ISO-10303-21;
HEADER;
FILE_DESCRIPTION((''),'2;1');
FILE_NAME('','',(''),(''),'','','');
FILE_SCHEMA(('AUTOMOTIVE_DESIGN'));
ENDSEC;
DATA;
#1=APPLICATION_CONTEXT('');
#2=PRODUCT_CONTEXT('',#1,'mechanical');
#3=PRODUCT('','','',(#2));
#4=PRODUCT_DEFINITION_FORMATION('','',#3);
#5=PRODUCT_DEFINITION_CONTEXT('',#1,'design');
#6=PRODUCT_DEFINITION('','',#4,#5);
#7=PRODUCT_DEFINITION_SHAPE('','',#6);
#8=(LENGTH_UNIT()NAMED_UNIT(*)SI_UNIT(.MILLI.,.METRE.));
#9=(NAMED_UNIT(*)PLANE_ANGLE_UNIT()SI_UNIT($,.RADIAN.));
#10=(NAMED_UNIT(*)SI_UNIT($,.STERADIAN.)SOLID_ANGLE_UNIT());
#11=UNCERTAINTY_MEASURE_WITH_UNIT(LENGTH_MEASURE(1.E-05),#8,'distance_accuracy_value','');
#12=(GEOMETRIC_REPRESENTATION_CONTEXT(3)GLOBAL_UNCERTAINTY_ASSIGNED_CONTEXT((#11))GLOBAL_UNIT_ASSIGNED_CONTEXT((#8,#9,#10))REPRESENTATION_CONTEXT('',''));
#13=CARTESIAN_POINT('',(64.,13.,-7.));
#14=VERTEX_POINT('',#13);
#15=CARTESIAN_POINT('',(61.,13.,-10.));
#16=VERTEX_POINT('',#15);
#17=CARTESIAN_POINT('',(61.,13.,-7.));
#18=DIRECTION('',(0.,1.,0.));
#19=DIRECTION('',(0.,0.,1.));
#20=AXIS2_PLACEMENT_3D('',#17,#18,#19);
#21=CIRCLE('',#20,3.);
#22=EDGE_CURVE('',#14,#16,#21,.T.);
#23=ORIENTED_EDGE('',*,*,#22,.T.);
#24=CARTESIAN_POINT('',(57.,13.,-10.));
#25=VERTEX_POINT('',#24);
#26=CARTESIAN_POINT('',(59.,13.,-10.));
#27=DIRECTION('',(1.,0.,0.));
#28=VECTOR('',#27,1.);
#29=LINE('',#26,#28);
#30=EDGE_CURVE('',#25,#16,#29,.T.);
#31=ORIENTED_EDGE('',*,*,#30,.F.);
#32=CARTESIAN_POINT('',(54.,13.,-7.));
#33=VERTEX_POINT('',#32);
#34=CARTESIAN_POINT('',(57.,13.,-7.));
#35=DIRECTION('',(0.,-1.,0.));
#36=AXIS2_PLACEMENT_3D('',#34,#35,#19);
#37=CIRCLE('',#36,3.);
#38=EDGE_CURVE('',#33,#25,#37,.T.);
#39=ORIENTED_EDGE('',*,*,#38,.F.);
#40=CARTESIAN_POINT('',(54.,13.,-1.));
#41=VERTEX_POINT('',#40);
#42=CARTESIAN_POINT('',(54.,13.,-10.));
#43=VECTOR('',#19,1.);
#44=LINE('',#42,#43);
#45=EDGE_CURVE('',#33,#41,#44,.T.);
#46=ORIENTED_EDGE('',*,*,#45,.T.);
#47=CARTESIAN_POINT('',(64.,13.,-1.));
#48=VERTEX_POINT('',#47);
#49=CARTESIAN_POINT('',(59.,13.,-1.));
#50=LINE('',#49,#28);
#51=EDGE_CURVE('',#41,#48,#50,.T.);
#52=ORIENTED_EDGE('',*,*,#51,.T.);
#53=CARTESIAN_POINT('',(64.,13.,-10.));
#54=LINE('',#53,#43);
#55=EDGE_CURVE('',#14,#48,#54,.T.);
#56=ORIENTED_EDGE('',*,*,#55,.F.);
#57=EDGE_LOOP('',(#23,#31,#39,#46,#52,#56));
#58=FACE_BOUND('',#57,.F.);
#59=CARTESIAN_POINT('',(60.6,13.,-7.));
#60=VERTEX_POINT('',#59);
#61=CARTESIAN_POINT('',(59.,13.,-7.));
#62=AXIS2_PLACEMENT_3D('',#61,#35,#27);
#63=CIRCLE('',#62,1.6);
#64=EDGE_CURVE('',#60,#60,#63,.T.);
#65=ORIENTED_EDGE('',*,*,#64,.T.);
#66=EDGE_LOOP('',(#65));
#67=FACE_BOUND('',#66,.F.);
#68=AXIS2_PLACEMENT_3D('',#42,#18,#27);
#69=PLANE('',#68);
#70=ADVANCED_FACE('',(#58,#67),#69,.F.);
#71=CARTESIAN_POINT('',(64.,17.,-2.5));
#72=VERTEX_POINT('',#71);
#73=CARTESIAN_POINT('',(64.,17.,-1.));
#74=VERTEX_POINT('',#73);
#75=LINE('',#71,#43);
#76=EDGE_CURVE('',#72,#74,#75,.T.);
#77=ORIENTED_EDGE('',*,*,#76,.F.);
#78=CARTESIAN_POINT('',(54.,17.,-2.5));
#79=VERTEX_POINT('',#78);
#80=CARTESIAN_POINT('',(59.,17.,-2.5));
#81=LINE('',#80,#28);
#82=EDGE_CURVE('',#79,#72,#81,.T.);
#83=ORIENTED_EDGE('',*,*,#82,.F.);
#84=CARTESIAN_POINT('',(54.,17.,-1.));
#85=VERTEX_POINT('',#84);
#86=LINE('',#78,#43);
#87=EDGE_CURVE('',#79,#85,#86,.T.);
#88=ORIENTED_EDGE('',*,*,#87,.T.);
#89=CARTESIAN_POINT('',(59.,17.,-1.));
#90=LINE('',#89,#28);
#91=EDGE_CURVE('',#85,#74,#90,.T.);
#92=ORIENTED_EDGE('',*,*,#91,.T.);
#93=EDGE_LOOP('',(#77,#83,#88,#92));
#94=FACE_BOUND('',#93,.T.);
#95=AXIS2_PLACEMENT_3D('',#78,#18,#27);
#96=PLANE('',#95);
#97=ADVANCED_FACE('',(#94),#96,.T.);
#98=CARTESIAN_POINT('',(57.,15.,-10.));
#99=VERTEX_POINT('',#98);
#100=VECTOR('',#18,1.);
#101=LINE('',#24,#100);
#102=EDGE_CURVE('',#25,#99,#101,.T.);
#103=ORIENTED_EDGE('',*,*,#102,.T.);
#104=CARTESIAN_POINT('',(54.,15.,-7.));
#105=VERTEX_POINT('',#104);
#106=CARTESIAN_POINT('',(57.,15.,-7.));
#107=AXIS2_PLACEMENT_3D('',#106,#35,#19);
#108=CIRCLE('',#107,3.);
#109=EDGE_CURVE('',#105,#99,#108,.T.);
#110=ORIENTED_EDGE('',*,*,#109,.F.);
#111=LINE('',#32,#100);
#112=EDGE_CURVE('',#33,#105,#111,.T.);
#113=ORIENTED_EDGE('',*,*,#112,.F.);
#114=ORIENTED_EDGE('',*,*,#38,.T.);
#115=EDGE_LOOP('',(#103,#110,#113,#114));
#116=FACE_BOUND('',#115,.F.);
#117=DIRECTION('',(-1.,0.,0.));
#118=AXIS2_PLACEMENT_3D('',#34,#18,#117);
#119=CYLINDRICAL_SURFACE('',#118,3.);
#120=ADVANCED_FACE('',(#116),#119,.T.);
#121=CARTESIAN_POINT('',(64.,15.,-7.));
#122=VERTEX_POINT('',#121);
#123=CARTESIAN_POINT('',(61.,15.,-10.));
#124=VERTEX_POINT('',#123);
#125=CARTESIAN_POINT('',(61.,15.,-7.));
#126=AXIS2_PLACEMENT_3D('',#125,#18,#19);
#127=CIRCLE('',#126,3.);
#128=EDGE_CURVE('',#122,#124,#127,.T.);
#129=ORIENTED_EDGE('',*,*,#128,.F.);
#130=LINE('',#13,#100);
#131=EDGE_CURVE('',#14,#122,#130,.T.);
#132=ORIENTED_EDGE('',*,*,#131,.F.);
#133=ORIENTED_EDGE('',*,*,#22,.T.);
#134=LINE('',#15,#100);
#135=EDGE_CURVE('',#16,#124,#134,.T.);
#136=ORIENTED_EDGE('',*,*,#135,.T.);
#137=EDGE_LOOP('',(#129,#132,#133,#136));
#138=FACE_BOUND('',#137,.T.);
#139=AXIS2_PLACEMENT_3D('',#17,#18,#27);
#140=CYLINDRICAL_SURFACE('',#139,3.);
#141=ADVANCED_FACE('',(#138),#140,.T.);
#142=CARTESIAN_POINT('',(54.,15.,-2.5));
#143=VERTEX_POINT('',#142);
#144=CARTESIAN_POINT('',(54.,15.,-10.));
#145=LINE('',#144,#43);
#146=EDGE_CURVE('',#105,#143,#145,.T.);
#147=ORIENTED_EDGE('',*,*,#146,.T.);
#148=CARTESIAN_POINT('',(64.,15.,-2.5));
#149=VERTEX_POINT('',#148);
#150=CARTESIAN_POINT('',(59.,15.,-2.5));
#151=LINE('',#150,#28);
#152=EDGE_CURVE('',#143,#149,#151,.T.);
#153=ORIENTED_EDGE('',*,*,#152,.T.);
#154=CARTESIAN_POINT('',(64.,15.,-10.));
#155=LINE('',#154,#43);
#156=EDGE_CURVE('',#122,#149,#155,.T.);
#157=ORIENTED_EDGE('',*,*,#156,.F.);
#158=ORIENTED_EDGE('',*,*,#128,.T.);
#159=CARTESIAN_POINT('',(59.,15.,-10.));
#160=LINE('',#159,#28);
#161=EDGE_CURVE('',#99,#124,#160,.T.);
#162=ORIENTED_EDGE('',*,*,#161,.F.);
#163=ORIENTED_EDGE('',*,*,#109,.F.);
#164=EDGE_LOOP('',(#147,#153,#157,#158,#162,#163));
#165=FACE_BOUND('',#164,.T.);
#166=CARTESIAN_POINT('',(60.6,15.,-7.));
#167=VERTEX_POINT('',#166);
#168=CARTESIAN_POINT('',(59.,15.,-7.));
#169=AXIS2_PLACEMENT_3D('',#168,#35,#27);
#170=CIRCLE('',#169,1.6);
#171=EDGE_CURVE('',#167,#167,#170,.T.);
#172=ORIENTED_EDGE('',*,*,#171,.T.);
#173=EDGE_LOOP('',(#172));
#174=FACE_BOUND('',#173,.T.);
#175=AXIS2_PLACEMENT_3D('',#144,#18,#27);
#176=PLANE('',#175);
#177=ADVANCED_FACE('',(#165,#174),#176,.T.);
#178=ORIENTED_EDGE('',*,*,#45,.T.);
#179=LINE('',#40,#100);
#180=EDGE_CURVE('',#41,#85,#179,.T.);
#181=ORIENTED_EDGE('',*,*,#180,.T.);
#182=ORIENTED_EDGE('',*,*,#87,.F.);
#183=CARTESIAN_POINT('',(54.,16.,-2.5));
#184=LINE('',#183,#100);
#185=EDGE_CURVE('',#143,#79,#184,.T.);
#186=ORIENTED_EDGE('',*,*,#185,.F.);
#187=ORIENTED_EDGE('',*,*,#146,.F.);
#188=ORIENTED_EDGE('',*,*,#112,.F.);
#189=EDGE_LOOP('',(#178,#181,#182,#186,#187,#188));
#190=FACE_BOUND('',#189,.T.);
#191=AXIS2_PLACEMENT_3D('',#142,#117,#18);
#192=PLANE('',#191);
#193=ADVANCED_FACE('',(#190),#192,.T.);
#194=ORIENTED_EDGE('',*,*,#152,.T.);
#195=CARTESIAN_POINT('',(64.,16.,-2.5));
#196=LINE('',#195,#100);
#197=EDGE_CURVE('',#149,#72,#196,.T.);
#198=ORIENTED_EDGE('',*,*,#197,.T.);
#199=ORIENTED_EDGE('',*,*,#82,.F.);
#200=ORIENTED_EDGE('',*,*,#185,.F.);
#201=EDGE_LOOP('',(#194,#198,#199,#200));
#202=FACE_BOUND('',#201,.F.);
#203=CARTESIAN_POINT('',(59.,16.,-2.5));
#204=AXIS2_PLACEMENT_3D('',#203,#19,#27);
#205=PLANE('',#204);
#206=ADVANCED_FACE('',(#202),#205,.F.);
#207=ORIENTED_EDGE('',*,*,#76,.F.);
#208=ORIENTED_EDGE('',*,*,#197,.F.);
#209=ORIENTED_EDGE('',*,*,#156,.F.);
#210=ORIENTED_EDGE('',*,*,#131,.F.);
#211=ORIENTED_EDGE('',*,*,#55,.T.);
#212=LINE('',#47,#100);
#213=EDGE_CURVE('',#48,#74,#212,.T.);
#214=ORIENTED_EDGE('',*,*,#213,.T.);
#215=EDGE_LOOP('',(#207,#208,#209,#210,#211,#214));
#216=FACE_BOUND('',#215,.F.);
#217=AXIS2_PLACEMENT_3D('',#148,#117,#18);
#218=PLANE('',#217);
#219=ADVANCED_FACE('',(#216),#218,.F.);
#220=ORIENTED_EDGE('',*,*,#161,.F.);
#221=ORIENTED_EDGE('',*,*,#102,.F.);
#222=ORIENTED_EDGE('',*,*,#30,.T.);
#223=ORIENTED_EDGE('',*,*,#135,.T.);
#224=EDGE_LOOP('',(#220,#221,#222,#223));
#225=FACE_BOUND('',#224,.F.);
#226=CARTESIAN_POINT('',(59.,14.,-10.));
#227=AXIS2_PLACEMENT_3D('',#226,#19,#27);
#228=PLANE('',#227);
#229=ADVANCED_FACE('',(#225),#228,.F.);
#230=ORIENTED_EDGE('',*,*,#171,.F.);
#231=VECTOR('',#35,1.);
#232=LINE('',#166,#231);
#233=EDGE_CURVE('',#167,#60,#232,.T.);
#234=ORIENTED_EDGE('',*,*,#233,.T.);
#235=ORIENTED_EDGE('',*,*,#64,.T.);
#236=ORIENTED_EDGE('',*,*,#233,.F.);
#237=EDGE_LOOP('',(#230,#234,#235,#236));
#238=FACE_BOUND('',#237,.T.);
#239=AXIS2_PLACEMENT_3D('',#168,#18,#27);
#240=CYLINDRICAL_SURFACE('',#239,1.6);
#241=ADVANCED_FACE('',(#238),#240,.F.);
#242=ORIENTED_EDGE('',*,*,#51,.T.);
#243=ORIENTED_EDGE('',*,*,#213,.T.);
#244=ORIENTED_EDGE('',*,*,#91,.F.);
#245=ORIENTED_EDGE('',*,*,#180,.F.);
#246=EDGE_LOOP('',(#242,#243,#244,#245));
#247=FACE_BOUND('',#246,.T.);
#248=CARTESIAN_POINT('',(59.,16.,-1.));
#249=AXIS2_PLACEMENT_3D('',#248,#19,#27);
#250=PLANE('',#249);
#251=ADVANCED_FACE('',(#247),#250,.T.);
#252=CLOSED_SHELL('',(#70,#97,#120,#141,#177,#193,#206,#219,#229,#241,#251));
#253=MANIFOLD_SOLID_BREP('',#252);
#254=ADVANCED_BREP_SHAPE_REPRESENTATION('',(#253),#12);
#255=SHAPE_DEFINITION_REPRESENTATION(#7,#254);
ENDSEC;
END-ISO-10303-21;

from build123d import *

# Parameters (mm, degrees)
BOX193_W          = 10
BOX193_H          = 2
BOX193_DEPTH      = 1.5
CYLINDER075_R     = 1.6
CYLINDER075_DEPTH = 2
BOX191_W          = 10
BOX191_H          = 2
BOX191_DEPTH      = 9
FILLET044_R       = 3


with BuildPart() as cube182:
    # Box193 → Box193 (new body)
    with BuildSketch(Plane(origin=(54, 15, -2.5), x_dir=(1, 0, 0), z_dir=(0, 0, 1))):
        with Locations((5, 1)):
            Rectangle(BOX193_W, BOX193_H)
    extrude(amount=BOX193_DEPTH)


with BuildPart() as cylinder156:
    # Cylinder075 → Cylinder075 (new body)
    with BuildSketch(Plane(origin=(59, 15, -7), x_dir=(1, 0, 0), z_dir=(0, -1, 0))):
        Circle(CYLINDER075_R)
    extrude(amount=CYLINDER075_DEPTH)


with BuildPart() as fusion060:
    # Box191 → Box191 (new body)
    with BuildSketch(Plane(origin=(54, 13, -10), x_dir=(1, 0, 0), z_dir=(0, 0, 1))):
        with Locations((5, 1)):
            Rectangle(BOX191_W, BOX191_H)
    extrude(amount=BOX191_DEPTH)

    # Fillet044
    fillet044_edges = [fusion060.edges().sort_by_distance(p)[0] for p in [
        (54, 14, -10),
        (64, 14, -10),
    ]]
    fillet(fillet044_edges, radius=FILLET044_R)

    # Cut099: cut Cylinder156
    add(cylinder156.part, mode=Mode.SUBTRACT)

    # Fusion060: union Cube182
    add(cube182.part)


solid = fusion060.part
